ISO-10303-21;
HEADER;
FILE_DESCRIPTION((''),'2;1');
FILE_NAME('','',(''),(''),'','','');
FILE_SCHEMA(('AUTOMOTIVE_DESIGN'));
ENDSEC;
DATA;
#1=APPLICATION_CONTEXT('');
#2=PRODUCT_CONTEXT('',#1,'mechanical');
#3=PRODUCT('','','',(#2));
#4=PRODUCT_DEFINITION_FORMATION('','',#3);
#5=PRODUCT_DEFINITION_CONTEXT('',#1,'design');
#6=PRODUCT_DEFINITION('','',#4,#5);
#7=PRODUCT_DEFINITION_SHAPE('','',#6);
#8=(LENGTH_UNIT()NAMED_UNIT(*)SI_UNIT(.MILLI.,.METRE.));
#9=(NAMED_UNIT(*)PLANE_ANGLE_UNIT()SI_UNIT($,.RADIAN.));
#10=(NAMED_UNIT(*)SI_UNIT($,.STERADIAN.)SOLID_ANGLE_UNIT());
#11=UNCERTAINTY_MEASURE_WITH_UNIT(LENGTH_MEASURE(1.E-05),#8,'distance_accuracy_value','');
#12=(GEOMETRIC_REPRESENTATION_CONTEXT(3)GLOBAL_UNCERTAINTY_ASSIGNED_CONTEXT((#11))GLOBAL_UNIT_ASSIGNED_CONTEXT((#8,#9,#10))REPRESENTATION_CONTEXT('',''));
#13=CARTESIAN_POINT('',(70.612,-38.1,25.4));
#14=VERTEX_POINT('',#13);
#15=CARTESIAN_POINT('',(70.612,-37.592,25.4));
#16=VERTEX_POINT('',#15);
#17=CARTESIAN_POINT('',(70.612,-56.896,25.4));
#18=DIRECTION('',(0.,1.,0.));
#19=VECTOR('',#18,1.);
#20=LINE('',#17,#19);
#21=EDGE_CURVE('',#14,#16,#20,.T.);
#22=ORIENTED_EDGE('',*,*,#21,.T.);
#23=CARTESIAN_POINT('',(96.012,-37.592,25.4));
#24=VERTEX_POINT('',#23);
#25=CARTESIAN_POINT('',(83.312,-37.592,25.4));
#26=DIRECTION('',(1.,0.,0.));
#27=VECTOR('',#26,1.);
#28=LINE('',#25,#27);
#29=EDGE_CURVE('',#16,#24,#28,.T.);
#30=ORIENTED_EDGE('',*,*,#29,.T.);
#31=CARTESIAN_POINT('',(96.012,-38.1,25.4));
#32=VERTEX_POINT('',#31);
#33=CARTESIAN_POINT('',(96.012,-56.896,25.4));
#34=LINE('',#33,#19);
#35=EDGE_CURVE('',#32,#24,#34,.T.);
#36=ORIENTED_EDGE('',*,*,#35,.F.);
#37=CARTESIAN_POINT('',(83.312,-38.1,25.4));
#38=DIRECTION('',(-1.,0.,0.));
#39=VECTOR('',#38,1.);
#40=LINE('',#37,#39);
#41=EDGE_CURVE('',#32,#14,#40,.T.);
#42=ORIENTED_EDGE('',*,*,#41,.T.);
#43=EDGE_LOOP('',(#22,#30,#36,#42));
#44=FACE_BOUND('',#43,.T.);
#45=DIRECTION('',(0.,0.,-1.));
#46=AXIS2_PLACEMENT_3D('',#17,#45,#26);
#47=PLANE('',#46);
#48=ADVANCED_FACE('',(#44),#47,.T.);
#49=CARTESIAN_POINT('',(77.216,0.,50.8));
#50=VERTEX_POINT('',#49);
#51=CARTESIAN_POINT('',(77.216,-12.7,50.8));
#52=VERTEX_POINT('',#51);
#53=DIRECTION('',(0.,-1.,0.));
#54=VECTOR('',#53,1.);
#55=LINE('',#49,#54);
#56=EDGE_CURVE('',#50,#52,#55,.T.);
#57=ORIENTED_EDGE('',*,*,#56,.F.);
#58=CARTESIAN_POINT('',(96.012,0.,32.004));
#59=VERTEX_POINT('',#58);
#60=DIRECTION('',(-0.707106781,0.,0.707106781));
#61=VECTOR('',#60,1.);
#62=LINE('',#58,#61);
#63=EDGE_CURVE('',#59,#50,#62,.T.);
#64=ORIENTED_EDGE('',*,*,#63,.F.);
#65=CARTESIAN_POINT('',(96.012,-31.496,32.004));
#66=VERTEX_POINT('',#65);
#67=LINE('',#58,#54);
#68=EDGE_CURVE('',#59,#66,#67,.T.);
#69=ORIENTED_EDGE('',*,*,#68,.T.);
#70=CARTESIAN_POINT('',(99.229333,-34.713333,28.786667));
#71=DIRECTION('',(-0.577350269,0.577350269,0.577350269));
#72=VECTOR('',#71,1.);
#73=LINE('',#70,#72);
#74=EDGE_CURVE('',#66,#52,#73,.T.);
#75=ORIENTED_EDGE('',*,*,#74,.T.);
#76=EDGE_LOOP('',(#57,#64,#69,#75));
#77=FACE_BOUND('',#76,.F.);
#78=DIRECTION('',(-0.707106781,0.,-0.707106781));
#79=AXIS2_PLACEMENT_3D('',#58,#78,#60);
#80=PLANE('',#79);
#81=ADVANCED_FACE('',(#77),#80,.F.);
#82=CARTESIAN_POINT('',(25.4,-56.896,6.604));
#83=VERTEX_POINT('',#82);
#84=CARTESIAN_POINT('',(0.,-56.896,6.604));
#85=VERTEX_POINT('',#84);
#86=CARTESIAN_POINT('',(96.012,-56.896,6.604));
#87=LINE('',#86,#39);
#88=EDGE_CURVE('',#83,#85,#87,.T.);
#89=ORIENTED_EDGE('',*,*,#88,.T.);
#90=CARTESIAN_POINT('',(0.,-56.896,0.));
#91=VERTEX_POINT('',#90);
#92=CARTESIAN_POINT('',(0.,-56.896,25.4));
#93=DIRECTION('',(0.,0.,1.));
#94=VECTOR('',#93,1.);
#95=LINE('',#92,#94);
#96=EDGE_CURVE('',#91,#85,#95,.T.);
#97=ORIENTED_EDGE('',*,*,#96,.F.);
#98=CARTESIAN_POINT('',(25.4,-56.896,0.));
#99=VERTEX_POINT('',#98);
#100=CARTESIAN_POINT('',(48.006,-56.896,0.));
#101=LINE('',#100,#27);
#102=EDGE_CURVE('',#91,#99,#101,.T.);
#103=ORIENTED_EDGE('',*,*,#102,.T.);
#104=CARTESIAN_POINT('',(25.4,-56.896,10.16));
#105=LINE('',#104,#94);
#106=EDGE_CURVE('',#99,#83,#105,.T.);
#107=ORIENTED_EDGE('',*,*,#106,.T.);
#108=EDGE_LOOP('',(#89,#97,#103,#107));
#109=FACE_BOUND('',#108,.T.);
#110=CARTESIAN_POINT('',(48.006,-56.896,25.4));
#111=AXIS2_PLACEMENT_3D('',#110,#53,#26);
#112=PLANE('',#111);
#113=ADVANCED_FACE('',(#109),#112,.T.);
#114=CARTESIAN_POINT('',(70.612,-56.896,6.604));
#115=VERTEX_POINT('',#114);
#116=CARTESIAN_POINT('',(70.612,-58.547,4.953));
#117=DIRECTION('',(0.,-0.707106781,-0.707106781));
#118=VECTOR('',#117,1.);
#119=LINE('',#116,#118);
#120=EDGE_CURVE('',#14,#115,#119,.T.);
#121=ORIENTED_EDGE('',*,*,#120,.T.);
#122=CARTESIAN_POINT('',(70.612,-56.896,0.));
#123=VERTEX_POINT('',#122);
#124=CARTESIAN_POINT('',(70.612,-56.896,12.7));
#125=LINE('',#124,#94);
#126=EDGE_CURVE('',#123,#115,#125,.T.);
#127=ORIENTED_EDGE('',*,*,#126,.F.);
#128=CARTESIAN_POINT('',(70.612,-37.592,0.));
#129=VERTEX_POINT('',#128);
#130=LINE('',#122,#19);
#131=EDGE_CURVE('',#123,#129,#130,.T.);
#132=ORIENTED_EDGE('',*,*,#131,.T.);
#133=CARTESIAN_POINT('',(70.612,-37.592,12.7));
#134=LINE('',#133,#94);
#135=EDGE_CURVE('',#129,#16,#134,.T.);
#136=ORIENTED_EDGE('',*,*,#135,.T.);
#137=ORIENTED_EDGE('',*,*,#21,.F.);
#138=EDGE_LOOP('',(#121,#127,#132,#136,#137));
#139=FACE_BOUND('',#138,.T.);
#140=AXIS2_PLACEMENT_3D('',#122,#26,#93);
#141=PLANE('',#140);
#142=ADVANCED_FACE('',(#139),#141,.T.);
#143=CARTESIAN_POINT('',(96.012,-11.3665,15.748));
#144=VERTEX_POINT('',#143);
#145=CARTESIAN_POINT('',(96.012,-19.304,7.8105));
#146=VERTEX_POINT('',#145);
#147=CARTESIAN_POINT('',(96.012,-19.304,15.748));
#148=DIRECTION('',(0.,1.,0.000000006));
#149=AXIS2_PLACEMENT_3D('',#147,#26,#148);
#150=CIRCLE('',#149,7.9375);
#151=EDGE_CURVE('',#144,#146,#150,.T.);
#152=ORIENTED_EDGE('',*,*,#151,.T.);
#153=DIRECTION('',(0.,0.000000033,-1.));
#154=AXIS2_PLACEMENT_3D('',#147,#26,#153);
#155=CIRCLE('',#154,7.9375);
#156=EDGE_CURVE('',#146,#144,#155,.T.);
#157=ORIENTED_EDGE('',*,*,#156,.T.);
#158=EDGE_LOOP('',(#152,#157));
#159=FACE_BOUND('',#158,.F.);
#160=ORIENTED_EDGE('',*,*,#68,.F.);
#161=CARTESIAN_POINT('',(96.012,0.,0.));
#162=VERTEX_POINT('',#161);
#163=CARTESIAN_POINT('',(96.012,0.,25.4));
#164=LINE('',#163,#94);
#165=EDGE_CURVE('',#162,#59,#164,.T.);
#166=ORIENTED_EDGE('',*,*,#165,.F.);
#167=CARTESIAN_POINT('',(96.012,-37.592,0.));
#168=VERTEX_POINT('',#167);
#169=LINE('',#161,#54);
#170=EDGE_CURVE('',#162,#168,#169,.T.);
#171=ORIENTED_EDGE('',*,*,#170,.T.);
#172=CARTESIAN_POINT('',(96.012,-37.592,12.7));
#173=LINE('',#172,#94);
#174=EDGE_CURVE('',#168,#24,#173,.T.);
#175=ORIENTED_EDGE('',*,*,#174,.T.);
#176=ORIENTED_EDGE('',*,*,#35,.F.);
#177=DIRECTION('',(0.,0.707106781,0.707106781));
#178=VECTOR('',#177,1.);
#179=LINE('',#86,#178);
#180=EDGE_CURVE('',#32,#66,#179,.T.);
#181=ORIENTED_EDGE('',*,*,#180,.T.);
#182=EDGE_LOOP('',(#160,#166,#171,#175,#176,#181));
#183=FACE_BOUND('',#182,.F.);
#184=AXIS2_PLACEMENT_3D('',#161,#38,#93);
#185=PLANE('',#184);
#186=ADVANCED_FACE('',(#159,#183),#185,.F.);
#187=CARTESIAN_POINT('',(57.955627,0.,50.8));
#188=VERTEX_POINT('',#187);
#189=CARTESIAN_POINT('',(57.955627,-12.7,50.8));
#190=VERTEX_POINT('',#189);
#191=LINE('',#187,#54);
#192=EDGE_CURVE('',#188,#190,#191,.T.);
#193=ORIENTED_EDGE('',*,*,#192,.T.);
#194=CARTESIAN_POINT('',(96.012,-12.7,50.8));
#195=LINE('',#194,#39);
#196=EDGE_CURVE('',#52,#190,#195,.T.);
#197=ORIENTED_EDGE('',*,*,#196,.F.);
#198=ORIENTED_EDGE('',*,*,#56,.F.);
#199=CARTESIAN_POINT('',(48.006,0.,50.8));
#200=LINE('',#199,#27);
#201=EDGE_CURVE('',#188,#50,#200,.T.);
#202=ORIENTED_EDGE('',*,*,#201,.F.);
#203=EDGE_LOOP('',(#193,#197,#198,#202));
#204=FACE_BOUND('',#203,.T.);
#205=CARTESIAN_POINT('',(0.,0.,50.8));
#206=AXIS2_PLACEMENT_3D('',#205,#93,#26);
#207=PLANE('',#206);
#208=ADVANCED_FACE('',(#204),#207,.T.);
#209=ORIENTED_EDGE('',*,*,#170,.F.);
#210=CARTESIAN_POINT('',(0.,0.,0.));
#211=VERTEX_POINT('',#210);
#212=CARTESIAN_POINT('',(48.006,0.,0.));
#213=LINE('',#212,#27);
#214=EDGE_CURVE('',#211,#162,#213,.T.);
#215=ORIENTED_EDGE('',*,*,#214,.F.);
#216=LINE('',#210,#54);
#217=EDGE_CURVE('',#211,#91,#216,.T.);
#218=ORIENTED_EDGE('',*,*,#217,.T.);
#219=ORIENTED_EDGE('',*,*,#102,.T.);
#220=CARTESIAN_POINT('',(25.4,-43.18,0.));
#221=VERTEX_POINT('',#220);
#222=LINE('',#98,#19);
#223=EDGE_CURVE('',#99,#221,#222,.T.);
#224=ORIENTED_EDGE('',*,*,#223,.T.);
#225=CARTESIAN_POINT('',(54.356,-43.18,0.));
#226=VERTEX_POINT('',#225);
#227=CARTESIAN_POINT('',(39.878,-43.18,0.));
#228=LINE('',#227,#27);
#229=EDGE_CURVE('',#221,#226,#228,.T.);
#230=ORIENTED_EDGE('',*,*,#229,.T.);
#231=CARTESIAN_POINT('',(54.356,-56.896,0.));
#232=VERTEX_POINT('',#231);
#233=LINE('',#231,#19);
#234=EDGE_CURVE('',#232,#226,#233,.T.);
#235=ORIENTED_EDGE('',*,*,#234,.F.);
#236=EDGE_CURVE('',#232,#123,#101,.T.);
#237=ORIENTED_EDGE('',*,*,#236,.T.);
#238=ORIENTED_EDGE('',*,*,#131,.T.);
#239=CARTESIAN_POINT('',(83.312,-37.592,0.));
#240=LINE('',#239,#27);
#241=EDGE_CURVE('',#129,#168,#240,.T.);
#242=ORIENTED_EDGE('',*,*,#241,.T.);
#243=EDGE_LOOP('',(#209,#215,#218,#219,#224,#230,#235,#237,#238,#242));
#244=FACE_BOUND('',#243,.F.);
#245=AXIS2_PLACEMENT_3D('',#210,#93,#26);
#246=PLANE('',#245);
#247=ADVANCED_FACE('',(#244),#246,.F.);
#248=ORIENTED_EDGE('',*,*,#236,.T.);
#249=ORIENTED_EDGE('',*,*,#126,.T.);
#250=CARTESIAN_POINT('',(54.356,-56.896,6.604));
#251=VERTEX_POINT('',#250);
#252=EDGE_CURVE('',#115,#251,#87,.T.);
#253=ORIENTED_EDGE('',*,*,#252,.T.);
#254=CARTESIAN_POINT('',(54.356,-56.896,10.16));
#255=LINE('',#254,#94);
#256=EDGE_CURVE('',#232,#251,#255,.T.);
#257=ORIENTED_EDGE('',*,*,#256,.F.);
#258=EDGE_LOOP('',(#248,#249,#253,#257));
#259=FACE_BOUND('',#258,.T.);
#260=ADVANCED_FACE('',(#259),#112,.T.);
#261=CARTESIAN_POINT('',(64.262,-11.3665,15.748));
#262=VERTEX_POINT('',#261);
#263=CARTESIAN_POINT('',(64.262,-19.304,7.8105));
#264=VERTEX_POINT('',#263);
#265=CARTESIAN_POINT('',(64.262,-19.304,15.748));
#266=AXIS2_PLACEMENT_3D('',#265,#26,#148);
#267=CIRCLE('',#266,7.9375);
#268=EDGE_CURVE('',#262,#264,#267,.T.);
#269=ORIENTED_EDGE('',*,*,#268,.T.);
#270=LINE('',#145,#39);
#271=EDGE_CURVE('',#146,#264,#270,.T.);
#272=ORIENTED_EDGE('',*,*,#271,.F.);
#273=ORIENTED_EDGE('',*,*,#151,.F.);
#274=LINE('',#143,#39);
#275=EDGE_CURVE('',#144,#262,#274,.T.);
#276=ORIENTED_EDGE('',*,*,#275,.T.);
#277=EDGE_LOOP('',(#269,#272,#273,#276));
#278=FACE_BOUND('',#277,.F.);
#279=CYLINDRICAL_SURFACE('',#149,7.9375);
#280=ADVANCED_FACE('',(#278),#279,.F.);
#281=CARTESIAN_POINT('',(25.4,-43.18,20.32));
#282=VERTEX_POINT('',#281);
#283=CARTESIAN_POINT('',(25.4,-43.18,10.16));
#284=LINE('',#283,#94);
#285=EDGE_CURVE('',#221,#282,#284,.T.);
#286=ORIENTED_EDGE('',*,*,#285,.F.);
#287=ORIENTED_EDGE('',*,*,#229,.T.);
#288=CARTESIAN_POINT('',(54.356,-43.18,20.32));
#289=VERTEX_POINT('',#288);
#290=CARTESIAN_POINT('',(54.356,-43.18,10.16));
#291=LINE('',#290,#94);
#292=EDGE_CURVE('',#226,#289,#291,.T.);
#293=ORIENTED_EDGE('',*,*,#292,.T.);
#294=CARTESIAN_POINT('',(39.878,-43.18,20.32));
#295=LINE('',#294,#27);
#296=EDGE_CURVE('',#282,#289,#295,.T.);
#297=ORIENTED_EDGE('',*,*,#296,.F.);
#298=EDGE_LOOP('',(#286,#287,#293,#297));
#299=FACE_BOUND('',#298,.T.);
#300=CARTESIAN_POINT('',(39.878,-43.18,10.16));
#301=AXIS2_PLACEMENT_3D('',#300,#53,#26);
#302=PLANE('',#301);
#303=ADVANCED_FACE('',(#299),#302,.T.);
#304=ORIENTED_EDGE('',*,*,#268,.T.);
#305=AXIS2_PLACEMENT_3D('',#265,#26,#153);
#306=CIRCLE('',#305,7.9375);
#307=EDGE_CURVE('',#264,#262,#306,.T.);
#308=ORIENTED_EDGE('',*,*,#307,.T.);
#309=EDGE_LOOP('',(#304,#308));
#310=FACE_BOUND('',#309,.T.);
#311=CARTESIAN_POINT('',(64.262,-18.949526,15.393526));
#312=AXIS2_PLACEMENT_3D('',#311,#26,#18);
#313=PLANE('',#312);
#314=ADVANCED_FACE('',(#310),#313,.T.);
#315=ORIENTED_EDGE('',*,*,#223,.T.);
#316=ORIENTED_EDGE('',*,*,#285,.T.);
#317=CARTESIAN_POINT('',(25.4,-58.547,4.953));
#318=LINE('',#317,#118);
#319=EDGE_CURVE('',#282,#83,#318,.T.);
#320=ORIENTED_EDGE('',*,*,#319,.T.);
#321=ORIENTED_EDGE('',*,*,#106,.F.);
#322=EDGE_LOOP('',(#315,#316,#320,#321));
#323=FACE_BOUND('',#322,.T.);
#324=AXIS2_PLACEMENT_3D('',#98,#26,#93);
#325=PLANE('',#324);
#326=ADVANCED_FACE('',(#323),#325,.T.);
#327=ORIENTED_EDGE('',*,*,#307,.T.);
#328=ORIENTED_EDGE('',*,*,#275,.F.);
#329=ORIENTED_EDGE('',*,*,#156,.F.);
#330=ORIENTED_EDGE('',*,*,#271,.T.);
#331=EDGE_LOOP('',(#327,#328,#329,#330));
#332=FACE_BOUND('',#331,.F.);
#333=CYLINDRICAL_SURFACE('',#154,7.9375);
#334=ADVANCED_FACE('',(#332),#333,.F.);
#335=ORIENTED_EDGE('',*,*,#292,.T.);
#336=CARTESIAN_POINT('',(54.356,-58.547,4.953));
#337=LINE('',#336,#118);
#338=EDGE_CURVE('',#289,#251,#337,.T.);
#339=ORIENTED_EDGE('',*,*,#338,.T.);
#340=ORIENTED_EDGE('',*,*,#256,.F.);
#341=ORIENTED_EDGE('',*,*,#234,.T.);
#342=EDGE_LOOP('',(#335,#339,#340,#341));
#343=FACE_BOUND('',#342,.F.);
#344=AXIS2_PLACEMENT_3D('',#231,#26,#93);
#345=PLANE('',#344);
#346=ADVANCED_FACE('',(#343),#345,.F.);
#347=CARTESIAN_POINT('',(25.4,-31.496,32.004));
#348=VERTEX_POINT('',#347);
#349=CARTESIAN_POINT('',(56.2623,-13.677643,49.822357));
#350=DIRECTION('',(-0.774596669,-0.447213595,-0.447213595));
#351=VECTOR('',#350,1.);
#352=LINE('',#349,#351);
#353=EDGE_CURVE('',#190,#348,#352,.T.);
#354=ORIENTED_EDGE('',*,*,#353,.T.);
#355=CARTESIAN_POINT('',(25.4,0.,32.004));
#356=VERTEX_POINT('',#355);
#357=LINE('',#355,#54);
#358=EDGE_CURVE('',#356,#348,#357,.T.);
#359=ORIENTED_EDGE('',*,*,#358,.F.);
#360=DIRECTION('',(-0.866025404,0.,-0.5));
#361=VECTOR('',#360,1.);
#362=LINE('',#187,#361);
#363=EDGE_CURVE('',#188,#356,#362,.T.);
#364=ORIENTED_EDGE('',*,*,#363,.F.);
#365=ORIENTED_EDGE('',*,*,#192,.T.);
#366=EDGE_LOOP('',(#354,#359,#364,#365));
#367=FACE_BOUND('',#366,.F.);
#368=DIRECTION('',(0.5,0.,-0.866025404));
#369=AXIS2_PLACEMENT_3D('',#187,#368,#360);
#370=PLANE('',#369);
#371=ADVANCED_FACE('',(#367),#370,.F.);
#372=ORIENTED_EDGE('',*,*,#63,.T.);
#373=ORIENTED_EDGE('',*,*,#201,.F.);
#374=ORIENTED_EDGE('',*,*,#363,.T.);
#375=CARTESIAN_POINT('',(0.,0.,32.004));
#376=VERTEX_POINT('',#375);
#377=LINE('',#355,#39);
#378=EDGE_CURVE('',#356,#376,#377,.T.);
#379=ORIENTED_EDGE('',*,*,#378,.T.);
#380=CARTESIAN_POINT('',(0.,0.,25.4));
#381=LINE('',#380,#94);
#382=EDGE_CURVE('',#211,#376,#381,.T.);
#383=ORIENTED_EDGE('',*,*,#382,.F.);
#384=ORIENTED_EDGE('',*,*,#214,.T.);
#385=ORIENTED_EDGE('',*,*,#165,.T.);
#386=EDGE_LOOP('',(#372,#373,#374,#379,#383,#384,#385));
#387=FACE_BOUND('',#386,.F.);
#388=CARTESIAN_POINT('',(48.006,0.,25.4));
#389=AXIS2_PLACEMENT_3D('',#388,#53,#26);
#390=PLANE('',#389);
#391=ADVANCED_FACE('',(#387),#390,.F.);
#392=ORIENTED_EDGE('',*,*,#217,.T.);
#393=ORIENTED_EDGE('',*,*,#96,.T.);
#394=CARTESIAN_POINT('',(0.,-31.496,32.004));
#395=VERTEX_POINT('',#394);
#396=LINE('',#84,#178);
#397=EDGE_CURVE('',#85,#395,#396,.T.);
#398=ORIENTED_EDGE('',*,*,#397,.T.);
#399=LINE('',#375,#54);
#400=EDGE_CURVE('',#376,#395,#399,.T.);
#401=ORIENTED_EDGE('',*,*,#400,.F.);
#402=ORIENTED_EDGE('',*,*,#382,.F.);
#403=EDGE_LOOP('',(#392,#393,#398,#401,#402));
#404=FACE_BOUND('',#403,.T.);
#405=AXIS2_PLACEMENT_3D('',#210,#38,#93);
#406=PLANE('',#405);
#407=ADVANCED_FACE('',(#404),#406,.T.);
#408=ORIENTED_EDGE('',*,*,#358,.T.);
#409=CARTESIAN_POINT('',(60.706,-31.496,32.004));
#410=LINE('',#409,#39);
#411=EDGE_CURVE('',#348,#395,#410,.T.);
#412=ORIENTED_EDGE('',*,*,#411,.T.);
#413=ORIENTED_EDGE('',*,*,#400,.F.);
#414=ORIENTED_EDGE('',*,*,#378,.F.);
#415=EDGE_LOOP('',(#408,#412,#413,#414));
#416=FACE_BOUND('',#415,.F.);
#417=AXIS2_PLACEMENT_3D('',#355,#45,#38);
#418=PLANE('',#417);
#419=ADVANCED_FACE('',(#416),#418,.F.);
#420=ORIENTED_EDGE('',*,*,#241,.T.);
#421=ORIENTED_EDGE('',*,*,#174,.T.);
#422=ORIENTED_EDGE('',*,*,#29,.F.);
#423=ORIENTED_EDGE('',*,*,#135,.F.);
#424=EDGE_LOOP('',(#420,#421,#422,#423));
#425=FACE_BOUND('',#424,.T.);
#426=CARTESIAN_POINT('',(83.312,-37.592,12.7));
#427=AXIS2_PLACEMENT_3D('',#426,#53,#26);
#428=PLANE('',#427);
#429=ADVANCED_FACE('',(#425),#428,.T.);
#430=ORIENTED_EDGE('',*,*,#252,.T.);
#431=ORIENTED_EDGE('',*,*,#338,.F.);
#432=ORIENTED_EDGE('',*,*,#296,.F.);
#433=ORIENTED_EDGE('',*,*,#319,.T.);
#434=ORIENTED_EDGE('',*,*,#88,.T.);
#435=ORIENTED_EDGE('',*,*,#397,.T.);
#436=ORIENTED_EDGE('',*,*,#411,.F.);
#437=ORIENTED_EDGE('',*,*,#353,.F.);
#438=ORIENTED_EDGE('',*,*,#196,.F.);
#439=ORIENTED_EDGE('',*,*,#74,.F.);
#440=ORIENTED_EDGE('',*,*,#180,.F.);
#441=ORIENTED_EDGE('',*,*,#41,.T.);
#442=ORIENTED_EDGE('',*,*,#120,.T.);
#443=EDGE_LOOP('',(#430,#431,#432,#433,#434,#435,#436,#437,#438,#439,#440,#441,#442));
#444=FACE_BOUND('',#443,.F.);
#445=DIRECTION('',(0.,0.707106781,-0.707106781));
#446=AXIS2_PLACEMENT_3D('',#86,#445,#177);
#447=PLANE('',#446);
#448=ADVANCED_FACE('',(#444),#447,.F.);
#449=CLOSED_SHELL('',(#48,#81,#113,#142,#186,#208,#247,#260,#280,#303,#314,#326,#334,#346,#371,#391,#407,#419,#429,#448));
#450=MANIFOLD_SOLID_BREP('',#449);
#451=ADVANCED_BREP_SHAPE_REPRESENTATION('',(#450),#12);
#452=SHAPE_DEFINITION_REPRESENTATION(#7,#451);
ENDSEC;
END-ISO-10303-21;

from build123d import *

# Parameters (mm, degrees)
F0_W      = 96.012
F0_H      = 50.8
F1_DEPTH  = 56.896
F3_DEPTH  = 96.012
F5_DEPTH  = 56.896
F7_DEPTH  = 56.896
F9_DEPTH  = 31.75
F10_W     = 25.4
F10_H     = 25.4
F11_DEPTH = 19.304
F12_W     = 28.956
F12_H     = 20.32
F13_DEPTH = 13.716


with BuildPart() as f1:
    # F0 (on Front) → F1 (new body)
    with BuildSketch(Plane.XZ):
        with Locations((48.006, 25.4)):
            Rectangle(F0_W, F0_H)
    extrude(amount=F1_DEPTH)

    # F2 (on face) → F3 (cut)
    with BuildSketch(Plane.YZ.offset(96.012)):
        Polygon((-56.896, 6.604), (-12.7, 50.8), (-56.896, 50.8), align=None)
    extrude(amount=-F3_DEPTH, mode=Mode.SUBTRACT)

    # F4 (on face) → F5 (cut)
    with BuildSketch(Plane(origin=(0, 0, 0), x_dir=(-1, 0, 0), z_dir=(0, 1, 0))):
        Polygon((0, 32.004), (0, 50.8), (-57.955627, 50.8), (-25.4, 32.004), align=None)
    extrude(amount=-F5_DEPTH, mode=Mode.SUBTRACT)

    # F6 (on face) → F7 (cut)
    with BuildSketch(Plane(origin=(0, 0, 0), x_dir=(-1, 0, 0), z_dir=(0, 1, 0))):
        Polygon((-77.216, 50.8), (-96.012, 50.8), (-96.012, 32.004), align=None)
    extrude(amount=-F7_DEPTH, mode=Mode.SUBTRACT)

    # F8 (on face) → F9 (cut)
    with BuildSketch(Plane.YZ.offset(96.012)):
        with BuildLine():
            ThreePointArc((-19.304, 7.8105), (-13.69134, 10.13534), (-11.3665, 15.748))
            ThreePointArc((-11.3665, 15.748), (-24.91666, 21.36066), (-19.304, 7.8105))
        make_face()
    extrude(amount=-F9_DEPTH, mode=Mode.SUBTRACT)

    # F10 (on face) → F11 (cut)
    with BuildSketch(Plane.XZ.offset(56.896)):
        with Locations((83.312, 12.7)):
            Rectangle(F10_W, F10_H)
    extrude(amount=-F11_DEPTH, mode=Mode.SUBTRACT)

    # F12 (on face) → F13 (cut)
    with BuildSketch(Plane.XZ.offset(56.896)):
        with Locations((39.878, 10.16)):
            Rectangle(F12_W, F12_H)
    extrude(amount=-F13_DEPTH, mode=Mode.SUBTRACT)


solid = f1.part
